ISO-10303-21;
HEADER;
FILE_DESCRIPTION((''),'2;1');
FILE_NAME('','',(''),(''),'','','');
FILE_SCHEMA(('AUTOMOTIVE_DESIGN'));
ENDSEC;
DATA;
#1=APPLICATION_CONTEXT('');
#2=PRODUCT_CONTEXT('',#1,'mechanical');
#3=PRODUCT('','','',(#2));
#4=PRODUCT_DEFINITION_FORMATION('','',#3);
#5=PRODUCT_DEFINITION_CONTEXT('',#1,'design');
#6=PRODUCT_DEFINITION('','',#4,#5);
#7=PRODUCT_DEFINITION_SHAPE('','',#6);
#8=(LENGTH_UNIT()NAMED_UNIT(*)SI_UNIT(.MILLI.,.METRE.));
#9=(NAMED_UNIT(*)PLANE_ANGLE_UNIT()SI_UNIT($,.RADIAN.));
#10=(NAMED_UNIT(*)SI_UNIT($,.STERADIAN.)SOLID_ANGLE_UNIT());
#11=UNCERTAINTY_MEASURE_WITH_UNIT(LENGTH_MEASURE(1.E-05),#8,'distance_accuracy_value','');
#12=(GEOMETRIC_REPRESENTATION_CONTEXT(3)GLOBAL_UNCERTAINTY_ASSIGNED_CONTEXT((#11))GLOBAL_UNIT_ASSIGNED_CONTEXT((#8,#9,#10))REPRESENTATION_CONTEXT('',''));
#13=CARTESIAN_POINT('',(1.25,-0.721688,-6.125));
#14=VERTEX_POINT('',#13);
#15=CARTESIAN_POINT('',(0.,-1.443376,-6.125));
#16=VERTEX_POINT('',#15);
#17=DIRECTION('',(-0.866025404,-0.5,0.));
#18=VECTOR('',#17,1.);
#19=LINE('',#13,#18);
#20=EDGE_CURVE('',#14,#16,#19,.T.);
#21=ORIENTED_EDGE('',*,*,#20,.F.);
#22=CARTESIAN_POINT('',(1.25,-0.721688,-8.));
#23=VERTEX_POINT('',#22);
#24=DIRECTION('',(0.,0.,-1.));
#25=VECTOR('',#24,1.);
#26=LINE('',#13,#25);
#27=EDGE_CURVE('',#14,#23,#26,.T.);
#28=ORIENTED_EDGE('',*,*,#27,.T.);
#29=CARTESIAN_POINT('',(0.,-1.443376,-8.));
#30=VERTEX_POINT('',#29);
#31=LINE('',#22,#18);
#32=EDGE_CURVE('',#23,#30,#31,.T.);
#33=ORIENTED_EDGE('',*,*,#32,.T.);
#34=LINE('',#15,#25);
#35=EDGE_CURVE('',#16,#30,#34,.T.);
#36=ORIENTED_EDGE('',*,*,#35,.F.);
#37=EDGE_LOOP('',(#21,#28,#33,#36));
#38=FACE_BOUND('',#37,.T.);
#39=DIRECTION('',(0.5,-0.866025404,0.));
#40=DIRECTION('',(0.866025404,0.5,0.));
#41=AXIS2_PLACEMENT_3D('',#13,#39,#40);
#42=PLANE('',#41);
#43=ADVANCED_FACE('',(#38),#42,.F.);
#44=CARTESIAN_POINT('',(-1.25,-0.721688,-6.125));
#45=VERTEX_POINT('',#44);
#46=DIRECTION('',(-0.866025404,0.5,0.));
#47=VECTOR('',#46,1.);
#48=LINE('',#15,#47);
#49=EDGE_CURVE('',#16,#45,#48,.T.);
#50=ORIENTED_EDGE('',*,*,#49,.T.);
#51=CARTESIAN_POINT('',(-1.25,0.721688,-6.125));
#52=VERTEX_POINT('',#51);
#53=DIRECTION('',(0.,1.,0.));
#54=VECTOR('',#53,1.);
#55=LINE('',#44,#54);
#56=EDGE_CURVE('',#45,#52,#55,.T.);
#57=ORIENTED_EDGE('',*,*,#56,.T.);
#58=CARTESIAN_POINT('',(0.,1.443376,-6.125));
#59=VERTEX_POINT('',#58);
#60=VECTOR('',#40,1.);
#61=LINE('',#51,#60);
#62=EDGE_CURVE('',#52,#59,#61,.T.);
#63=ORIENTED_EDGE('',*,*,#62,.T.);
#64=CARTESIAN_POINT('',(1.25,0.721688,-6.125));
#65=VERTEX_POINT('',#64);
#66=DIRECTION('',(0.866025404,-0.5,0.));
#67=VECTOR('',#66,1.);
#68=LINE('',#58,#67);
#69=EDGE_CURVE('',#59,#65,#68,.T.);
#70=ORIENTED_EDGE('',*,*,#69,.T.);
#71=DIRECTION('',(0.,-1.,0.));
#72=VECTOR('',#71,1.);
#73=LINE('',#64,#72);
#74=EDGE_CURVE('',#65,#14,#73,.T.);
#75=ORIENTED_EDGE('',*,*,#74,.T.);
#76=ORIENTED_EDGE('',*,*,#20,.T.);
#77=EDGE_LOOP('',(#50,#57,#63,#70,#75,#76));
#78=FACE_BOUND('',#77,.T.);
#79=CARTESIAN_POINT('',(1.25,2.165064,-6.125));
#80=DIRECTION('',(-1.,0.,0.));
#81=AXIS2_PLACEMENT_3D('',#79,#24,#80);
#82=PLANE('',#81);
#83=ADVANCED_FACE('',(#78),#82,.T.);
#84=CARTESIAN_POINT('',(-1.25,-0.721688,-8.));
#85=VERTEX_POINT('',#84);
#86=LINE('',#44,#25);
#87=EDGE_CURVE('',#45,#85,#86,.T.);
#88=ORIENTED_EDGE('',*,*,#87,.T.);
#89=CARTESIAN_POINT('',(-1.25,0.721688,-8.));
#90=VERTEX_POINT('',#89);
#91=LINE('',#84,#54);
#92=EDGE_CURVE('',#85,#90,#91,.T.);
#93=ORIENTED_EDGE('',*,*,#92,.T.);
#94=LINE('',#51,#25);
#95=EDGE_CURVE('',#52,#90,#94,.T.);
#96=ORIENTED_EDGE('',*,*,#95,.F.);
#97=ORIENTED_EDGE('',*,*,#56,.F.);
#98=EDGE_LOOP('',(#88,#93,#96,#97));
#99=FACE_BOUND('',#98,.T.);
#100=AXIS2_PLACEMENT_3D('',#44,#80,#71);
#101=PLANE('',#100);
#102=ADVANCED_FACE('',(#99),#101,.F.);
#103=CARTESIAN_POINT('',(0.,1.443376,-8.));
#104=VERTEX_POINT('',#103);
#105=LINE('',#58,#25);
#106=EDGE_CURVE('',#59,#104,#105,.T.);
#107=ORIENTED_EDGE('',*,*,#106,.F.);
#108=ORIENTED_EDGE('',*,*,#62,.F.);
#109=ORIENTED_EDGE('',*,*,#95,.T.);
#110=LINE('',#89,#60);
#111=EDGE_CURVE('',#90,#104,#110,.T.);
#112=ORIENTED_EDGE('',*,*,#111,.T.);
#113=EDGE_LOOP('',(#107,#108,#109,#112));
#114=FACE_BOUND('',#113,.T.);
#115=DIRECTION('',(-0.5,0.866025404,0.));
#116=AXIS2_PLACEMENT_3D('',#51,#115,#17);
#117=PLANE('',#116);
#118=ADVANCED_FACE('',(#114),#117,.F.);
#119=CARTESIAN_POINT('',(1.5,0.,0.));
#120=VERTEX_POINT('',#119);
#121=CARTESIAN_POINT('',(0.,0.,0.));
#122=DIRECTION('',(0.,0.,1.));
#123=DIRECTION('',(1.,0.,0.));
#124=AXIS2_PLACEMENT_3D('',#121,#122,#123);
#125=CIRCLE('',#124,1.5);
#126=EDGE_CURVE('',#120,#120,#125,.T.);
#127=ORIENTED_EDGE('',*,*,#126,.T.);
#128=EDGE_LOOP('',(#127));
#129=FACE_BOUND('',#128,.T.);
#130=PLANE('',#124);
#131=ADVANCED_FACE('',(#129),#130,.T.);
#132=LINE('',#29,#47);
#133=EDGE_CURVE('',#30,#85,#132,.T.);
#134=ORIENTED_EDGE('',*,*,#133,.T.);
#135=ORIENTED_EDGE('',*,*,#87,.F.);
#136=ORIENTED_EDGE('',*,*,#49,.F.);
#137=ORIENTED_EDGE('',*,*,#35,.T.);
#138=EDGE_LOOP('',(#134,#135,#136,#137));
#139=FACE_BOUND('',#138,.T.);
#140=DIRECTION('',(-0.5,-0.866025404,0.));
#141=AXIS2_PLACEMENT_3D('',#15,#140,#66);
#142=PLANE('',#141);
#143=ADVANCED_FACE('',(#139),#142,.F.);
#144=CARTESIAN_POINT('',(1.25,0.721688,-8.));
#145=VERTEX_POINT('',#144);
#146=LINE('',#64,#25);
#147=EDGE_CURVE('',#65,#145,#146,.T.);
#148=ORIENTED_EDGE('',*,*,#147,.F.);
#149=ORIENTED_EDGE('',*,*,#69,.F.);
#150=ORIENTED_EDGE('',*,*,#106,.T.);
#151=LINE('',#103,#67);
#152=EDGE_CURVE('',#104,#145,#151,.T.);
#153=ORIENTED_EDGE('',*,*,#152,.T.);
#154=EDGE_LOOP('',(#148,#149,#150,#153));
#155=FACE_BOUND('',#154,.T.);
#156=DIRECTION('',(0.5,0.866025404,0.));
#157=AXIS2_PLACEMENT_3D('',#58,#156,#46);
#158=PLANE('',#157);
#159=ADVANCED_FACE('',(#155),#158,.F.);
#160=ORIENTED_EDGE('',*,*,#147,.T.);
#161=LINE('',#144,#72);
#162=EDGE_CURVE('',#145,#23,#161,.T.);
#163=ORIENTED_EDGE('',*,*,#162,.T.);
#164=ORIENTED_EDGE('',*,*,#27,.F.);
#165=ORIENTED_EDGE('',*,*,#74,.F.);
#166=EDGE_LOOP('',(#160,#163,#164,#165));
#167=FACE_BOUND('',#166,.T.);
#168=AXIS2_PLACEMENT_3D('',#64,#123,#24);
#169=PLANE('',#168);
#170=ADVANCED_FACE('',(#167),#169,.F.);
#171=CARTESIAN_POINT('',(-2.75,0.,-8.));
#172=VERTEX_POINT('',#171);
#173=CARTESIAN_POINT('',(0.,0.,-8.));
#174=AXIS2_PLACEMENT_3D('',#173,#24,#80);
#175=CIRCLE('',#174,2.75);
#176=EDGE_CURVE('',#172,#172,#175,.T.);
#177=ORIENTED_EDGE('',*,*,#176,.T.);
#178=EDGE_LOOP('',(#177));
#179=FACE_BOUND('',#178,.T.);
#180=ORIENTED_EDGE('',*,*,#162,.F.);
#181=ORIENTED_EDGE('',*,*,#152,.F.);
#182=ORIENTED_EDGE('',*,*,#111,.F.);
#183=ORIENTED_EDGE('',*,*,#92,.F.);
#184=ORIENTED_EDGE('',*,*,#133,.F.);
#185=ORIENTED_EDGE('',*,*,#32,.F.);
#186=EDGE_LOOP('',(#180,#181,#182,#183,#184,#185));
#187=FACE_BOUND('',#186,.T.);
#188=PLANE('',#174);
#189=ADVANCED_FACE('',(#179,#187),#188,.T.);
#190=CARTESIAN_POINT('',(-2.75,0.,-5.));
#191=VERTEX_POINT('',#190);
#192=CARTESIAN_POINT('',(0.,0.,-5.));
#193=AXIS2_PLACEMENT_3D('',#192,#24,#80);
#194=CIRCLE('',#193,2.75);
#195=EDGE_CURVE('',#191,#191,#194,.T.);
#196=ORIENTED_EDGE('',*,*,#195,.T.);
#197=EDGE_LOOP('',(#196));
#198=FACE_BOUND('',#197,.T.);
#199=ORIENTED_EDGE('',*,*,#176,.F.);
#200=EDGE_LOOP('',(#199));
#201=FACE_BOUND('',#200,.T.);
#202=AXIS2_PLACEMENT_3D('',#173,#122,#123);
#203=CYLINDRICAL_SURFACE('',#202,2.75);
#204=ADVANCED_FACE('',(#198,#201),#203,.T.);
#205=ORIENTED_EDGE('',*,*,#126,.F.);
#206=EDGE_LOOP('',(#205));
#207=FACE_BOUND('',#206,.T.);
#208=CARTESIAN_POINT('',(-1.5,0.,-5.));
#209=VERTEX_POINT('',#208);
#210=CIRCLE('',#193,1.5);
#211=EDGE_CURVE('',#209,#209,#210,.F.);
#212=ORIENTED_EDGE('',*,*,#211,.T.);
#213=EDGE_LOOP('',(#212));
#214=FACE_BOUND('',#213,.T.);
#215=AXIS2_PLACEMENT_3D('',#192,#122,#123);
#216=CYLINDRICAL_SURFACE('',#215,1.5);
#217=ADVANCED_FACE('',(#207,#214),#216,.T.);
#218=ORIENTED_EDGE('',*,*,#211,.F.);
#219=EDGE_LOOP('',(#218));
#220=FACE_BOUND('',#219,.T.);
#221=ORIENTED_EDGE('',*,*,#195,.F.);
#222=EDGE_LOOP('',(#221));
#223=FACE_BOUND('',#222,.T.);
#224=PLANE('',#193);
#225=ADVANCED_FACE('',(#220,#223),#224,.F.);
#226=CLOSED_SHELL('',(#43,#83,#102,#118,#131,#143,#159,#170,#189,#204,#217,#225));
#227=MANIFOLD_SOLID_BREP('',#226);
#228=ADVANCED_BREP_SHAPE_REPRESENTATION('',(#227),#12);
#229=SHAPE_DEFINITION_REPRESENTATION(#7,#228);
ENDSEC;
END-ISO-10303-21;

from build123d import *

# Parameters (mm, degrees)
SKETCH1_R          = 1.5
EXTRUDE1_DEPTH     = 5
SKETCH6_R          = 2.75
EXTRUDE2_DEPTH     = 3
CUT_EXTRUDE1_DEPTH = 1.875


with BuildPart() as part:
    # Sketch1 → Extrude1 (new body)
    with BuildSketch(Plane.XY):
        Circle(SKETCH1_R)
    extrude(amount=-EXTRUDE1_DEPTH)

    # Sketch6 → Extrude2 (add)
    with BuildSketch(Plane(origin=(0, 0, -5), x_dir=(-1, 0, 0), z_dir=(0, 0, -1))):
        Circle(SKETCH6_R)
    extrude(amount=EXTRUDE2_DEPTH)

    # Sketch7 → Cut-Extrude1 (cut)
    with BuildSketch(Plane(origin=(0, 0, -8), x_dir=(-1, 0, 0), z_dir=(0, 0, -1))):
        Polygon((0, 1.443375673), (-1.25, 0.721687836), (-1.25, -0.721687836), (0, -1.443375673), (1.25, -0.721687836), (1.25, 0.721687836), align=None)
    extrude(amount=-CUT_EXTRUDE1_DEPTH, mode=Mode.SUBTRACT)


solid = part.part
